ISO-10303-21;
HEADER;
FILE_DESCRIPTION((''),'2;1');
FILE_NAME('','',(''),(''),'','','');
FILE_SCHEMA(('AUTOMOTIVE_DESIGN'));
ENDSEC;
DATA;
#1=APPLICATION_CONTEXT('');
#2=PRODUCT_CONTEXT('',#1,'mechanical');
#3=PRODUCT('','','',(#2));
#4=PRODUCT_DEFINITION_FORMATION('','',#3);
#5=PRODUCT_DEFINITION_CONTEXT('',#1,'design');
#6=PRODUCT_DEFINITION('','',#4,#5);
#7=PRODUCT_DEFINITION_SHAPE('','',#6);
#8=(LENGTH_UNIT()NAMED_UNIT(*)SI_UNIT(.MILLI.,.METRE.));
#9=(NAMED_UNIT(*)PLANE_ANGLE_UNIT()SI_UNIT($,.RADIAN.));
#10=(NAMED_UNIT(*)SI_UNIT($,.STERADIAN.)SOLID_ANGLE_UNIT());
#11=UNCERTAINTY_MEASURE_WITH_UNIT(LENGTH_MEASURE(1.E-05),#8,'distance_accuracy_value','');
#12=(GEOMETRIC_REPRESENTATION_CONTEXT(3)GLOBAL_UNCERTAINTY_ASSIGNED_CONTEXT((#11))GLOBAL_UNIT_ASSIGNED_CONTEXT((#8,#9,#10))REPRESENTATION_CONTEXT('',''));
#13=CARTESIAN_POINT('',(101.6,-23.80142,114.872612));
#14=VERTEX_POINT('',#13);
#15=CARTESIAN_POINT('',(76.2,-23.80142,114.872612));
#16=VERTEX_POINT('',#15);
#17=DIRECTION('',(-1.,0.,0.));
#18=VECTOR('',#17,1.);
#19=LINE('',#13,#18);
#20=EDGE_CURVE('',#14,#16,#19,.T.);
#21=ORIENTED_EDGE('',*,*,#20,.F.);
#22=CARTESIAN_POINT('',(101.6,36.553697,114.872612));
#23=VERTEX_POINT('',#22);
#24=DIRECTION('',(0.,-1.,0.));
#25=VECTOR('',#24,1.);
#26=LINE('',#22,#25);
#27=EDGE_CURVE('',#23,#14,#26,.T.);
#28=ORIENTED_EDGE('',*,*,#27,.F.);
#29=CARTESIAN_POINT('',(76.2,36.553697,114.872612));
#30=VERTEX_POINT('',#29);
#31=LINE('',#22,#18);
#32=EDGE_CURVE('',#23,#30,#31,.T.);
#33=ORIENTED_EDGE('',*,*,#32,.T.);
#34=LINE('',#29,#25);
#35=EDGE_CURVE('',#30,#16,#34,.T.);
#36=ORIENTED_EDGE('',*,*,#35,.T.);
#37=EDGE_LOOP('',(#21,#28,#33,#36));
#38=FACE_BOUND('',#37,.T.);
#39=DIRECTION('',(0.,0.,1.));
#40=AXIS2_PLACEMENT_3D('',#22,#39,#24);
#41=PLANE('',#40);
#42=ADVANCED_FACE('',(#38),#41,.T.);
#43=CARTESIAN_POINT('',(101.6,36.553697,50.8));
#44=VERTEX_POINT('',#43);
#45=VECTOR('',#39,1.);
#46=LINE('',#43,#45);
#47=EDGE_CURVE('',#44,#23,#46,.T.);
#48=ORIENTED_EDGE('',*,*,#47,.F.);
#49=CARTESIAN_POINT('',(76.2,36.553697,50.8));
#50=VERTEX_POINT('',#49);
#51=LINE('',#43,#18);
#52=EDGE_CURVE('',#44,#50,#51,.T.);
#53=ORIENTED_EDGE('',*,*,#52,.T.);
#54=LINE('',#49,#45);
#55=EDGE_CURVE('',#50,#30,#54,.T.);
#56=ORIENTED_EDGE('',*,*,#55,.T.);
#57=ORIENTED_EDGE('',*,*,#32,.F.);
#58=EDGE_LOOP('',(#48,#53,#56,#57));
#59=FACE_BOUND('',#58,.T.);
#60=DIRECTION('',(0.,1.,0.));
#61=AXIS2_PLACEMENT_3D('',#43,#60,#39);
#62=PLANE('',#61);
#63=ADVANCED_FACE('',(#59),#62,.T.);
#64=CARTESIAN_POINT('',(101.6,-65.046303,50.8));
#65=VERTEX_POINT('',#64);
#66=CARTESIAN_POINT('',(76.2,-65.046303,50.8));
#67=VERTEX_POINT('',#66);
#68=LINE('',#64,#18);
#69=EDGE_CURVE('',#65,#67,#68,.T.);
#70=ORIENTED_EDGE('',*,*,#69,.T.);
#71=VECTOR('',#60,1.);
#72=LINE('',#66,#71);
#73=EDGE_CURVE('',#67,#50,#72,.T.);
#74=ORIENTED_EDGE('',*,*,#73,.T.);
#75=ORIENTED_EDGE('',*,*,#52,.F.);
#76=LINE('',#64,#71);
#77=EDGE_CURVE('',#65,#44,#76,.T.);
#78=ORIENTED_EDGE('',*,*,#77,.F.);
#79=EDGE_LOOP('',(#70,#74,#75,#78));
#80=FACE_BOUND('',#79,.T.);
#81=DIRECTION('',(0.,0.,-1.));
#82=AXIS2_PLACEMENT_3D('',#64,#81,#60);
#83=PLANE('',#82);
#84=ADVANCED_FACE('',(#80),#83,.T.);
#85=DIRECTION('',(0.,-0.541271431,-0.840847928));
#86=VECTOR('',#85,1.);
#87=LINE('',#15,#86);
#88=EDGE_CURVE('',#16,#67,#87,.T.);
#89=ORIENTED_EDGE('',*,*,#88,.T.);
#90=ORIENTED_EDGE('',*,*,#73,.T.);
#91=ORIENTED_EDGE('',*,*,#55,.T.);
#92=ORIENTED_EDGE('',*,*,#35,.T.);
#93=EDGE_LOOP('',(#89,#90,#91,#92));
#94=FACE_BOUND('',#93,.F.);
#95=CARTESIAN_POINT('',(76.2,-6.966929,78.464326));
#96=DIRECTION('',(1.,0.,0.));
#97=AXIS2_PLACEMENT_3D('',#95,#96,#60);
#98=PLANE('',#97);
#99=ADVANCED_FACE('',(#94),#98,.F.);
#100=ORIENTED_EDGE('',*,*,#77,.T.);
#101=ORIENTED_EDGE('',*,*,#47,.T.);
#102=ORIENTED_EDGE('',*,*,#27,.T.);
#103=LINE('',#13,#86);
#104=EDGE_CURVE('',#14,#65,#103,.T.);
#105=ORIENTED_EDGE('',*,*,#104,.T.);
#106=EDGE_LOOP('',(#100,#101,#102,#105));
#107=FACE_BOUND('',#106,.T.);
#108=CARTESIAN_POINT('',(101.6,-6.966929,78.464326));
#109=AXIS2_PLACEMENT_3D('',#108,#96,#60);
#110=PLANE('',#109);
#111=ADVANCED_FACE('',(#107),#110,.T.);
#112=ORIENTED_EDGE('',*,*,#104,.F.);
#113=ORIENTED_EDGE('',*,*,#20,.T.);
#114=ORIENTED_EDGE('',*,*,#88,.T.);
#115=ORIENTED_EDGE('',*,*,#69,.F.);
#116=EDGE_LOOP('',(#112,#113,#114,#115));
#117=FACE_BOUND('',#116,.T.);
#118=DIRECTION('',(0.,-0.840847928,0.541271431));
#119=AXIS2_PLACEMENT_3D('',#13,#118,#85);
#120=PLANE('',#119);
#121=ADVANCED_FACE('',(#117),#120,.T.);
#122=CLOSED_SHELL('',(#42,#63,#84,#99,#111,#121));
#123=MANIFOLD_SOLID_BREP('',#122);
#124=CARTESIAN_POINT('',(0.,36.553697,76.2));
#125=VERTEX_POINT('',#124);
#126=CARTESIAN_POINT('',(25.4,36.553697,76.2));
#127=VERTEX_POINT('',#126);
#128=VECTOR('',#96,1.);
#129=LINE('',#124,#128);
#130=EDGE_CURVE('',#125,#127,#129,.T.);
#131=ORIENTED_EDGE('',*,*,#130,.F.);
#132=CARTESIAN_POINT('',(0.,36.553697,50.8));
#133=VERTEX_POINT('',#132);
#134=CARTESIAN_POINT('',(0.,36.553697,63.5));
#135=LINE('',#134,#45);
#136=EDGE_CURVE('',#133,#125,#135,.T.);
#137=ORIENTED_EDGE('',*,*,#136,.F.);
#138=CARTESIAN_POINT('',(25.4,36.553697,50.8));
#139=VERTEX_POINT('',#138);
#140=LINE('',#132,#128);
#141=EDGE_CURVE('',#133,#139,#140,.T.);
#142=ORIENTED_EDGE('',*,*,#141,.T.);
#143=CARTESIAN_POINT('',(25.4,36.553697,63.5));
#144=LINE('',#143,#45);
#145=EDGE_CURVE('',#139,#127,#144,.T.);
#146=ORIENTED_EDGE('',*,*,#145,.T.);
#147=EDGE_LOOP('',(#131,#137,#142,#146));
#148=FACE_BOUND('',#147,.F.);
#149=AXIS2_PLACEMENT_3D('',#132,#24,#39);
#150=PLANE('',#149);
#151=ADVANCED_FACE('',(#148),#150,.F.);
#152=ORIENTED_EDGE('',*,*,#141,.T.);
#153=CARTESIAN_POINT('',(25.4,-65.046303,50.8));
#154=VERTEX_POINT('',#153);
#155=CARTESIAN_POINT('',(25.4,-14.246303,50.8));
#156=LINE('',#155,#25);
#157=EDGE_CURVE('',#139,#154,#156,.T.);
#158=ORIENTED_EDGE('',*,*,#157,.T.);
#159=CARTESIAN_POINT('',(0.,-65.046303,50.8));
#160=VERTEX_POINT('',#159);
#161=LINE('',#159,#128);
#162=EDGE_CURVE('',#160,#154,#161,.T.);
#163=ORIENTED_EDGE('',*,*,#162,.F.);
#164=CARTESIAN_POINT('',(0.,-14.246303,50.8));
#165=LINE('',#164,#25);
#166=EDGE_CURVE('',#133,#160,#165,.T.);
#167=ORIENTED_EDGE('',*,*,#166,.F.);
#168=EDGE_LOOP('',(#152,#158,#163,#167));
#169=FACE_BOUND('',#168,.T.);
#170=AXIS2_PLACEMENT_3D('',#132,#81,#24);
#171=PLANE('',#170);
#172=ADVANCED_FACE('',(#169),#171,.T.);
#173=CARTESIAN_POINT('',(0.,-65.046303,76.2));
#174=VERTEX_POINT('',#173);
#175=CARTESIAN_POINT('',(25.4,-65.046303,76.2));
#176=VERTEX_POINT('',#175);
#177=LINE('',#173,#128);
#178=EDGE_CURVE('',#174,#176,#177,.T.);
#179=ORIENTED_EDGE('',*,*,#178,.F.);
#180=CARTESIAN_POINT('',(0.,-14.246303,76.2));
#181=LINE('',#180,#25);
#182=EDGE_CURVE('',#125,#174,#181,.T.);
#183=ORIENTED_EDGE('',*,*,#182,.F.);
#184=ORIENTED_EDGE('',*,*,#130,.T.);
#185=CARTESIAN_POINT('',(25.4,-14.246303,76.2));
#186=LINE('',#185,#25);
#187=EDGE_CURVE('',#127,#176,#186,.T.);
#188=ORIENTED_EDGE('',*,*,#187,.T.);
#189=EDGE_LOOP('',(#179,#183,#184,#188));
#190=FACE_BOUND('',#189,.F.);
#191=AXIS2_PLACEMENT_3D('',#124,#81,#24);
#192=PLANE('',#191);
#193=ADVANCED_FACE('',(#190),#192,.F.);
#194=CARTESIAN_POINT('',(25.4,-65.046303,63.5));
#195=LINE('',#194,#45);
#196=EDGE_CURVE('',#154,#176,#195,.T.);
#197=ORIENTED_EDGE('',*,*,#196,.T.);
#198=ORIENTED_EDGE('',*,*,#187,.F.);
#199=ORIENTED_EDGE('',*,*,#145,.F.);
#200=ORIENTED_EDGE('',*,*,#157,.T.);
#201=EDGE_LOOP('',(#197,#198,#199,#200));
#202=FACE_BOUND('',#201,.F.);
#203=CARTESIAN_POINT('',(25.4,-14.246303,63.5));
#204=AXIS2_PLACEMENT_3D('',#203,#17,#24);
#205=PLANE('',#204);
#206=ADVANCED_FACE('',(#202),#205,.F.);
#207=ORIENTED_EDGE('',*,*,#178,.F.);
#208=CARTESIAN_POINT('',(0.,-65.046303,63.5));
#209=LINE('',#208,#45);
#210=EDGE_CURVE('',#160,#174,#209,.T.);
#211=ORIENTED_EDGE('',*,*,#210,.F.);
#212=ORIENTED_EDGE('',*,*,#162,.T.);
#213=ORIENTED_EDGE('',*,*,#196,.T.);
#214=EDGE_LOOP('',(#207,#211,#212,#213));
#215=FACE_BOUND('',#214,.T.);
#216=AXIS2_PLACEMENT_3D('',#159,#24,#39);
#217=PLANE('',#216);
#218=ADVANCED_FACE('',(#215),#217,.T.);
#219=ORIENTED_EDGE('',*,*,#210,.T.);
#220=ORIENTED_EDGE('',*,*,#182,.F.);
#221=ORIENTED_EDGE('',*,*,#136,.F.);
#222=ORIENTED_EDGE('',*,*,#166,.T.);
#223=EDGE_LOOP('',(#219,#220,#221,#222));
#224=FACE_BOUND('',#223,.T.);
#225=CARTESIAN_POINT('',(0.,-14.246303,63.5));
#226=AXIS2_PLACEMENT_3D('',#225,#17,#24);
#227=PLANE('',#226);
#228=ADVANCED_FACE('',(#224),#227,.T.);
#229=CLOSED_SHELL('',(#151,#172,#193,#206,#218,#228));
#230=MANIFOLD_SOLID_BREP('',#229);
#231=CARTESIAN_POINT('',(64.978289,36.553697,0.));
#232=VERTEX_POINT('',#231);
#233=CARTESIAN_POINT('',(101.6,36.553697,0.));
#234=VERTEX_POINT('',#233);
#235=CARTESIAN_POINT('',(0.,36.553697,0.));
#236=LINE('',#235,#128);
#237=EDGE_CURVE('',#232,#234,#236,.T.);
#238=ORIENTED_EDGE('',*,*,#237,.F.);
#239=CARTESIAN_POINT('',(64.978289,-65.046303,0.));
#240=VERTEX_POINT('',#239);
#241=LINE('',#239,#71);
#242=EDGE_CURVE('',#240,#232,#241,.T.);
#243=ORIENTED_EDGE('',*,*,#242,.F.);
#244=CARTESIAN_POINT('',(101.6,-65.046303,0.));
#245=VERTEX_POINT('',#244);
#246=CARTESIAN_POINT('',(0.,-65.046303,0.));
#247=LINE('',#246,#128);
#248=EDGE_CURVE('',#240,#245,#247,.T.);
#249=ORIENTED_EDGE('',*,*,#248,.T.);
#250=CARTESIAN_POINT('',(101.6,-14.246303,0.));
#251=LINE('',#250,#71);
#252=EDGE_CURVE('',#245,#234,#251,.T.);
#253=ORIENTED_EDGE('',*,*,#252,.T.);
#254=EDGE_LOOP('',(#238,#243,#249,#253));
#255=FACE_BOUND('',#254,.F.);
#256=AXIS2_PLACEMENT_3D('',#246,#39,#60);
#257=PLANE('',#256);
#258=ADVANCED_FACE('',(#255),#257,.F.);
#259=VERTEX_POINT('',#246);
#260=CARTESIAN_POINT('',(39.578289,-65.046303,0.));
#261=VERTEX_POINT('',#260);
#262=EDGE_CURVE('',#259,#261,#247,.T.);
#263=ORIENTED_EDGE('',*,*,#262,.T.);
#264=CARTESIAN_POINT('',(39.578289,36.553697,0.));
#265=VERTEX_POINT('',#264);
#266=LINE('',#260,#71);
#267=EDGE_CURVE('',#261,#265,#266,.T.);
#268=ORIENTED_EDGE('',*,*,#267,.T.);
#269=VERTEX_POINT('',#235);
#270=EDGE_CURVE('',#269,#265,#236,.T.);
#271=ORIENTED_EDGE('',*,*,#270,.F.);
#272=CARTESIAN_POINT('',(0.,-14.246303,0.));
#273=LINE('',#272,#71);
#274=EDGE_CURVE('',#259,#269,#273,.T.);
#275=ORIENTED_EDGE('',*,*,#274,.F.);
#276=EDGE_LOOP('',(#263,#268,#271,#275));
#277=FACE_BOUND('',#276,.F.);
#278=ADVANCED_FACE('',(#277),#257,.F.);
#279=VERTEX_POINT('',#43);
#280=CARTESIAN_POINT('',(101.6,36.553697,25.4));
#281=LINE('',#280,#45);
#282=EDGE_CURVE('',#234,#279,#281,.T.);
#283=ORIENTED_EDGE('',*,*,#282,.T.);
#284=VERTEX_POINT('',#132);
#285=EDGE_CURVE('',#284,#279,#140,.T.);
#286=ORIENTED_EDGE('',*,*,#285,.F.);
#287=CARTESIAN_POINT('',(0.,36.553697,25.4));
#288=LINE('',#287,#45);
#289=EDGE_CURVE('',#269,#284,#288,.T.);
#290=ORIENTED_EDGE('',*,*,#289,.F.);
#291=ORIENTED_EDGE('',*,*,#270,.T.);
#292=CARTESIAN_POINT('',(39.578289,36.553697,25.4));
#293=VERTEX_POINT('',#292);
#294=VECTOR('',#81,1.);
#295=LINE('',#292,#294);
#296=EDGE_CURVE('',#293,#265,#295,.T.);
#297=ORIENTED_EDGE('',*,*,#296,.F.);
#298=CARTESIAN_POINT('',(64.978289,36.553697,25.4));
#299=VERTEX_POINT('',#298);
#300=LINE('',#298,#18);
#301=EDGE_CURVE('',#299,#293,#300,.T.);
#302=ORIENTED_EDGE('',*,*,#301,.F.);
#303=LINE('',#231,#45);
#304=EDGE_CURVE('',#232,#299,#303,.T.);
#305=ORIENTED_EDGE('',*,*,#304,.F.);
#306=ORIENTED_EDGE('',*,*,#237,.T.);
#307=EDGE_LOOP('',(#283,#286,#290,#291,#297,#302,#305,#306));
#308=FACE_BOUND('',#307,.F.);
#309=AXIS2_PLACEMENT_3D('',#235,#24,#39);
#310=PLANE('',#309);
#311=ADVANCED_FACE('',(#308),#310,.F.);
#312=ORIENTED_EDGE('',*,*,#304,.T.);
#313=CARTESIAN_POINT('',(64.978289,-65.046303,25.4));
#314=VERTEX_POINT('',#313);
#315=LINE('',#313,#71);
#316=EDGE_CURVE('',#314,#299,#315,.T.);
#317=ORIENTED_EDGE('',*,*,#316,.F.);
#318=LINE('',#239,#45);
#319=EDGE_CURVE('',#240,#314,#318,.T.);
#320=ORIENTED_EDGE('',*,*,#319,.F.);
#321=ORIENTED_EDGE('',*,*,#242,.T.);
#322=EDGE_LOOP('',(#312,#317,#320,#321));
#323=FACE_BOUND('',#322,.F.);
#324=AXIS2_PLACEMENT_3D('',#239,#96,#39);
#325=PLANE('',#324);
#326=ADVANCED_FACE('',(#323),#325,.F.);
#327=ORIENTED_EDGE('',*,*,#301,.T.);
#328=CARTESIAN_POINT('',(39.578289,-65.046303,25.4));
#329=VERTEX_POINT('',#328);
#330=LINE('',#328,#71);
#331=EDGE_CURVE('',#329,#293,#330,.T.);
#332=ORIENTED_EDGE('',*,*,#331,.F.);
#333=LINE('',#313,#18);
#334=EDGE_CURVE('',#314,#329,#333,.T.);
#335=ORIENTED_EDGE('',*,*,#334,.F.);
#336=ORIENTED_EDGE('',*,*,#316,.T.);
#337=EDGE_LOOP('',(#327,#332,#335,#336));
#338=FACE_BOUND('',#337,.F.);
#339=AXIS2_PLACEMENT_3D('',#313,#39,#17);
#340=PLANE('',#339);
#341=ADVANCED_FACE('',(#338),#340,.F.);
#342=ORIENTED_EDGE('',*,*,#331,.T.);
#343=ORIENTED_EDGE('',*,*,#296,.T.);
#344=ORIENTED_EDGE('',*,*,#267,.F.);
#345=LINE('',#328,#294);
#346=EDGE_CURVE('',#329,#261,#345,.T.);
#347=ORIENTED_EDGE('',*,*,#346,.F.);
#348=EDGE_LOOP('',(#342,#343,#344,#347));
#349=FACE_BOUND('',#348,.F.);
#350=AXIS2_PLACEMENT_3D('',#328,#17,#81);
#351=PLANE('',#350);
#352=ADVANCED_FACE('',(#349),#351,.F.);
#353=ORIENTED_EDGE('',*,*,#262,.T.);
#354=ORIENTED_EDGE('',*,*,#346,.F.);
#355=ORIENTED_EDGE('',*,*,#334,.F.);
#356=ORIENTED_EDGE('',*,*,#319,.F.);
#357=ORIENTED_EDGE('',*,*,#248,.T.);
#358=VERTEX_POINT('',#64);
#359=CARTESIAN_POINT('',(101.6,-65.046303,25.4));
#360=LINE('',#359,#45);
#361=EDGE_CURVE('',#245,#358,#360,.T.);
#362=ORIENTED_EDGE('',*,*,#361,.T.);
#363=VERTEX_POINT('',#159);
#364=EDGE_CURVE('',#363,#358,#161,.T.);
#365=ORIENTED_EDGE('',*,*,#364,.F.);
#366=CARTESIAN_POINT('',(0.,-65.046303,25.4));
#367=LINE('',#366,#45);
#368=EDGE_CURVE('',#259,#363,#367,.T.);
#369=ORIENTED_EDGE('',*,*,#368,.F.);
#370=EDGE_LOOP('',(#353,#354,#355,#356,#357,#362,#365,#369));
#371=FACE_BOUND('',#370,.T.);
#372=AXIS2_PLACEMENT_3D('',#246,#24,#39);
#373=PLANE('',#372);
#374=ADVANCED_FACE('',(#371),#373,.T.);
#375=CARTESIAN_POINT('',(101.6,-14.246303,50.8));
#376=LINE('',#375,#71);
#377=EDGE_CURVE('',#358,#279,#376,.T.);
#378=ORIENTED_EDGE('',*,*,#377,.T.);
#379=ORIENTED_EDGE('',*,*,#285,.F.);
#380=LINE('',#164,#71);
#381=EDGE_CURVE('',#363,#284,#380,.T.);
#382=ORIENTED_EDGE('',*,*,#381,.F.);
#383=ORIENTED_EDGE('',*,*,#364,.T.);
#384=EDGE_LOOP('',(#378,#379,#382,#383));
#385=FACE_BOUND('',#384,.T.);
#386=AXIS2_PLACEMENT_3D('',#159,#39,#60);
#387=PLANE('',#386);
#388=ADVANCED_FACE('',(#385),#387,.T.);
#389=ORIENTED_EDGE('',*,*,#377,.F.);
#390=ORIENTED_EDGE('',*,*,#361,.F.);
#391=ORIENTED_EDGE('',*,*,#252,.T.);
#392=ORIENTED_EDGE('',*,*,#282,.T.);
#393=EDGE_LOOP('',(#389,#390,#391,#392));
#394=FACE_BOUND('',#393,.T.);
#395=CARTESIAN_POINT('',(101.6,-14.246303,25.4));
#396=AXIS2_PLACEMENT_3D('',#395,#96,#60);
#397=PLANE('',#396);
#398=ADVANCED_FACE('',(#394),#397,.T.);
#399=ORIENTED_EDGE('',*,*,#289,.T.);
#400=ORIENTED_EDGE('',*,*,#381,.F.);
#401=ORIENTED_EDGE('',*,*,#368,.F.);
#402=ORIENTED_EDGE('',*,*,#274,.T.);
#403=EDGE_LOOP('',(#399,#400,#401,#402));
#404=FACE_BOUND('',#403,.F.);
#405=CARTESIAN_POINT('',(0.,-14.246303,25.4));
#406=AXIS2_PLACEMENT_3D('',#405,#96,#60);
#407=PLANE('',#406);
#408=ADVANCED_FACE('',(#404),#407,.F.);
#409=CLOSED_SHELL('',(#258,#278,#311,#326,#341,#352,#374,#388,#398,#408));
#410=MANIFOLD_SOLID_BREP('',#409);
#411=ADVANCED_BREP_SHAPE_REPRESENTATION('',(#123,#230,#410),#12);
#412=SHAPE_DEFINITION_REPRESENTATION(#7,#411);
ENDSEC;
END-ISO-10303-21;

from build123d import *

# Parameters (mm, degrees)
F0_W     = 101.6
F0_H     = 50.8
F1_DEPTH = 101.6
F2_W     = 101.6
F2_H     = 25.4
F3_DEPTH = 25.4
F5_DEPTH = 25.4
F7_DEPTH = 101.6


with BuildPart() as f1:
    # F0 (on Right) → F1 (new body)
    with BuildSketch(Plane.YZ):
        with Locations((-14.246303, 25.4)):
            Rectangle(F0_W, F0_H)
    extrude(amount=F1_DEPTH)

    # F6 (on face) → F7 (cut)
    with BuildSketch(Plane.XZ.offset(65.046303)):
        Polygon((39.578289, 0), (50.8, 0), (64.978289, 0), (64.978289, 25.4), (39.578289, 25.4), align=None)
    extrude(amount=-F7_DEPTH, mode=Mode.SUBTRACT)


with BuildPart() as f3:
    # F2 (on face) → F3 (new body)
    with BuildSketch(Plane(origin=(0, 0, 0), x_dir=(0, -1, 0), z_dir=(-1, 0, 0))):
        with Locations((14.246303, 63.5)):
            Rectangle(F2_W, F2_H)
    extrude(amount=-F3_DEPTH)


with BuildPart() as f5:
    # F4 (on face) → F5 (new body)
    with BuildSketch(Plane.YZ.offset(101.6)):
        Polygon((-23.80142, 114.872612), (-65.046303, 50.8), (36.553697, 50.8), (36.553697, 114.872612), align=None)
    extrude(amount=-F5_DEPTH)


solid = Compound([f1.part, f3.part, f5.part])
